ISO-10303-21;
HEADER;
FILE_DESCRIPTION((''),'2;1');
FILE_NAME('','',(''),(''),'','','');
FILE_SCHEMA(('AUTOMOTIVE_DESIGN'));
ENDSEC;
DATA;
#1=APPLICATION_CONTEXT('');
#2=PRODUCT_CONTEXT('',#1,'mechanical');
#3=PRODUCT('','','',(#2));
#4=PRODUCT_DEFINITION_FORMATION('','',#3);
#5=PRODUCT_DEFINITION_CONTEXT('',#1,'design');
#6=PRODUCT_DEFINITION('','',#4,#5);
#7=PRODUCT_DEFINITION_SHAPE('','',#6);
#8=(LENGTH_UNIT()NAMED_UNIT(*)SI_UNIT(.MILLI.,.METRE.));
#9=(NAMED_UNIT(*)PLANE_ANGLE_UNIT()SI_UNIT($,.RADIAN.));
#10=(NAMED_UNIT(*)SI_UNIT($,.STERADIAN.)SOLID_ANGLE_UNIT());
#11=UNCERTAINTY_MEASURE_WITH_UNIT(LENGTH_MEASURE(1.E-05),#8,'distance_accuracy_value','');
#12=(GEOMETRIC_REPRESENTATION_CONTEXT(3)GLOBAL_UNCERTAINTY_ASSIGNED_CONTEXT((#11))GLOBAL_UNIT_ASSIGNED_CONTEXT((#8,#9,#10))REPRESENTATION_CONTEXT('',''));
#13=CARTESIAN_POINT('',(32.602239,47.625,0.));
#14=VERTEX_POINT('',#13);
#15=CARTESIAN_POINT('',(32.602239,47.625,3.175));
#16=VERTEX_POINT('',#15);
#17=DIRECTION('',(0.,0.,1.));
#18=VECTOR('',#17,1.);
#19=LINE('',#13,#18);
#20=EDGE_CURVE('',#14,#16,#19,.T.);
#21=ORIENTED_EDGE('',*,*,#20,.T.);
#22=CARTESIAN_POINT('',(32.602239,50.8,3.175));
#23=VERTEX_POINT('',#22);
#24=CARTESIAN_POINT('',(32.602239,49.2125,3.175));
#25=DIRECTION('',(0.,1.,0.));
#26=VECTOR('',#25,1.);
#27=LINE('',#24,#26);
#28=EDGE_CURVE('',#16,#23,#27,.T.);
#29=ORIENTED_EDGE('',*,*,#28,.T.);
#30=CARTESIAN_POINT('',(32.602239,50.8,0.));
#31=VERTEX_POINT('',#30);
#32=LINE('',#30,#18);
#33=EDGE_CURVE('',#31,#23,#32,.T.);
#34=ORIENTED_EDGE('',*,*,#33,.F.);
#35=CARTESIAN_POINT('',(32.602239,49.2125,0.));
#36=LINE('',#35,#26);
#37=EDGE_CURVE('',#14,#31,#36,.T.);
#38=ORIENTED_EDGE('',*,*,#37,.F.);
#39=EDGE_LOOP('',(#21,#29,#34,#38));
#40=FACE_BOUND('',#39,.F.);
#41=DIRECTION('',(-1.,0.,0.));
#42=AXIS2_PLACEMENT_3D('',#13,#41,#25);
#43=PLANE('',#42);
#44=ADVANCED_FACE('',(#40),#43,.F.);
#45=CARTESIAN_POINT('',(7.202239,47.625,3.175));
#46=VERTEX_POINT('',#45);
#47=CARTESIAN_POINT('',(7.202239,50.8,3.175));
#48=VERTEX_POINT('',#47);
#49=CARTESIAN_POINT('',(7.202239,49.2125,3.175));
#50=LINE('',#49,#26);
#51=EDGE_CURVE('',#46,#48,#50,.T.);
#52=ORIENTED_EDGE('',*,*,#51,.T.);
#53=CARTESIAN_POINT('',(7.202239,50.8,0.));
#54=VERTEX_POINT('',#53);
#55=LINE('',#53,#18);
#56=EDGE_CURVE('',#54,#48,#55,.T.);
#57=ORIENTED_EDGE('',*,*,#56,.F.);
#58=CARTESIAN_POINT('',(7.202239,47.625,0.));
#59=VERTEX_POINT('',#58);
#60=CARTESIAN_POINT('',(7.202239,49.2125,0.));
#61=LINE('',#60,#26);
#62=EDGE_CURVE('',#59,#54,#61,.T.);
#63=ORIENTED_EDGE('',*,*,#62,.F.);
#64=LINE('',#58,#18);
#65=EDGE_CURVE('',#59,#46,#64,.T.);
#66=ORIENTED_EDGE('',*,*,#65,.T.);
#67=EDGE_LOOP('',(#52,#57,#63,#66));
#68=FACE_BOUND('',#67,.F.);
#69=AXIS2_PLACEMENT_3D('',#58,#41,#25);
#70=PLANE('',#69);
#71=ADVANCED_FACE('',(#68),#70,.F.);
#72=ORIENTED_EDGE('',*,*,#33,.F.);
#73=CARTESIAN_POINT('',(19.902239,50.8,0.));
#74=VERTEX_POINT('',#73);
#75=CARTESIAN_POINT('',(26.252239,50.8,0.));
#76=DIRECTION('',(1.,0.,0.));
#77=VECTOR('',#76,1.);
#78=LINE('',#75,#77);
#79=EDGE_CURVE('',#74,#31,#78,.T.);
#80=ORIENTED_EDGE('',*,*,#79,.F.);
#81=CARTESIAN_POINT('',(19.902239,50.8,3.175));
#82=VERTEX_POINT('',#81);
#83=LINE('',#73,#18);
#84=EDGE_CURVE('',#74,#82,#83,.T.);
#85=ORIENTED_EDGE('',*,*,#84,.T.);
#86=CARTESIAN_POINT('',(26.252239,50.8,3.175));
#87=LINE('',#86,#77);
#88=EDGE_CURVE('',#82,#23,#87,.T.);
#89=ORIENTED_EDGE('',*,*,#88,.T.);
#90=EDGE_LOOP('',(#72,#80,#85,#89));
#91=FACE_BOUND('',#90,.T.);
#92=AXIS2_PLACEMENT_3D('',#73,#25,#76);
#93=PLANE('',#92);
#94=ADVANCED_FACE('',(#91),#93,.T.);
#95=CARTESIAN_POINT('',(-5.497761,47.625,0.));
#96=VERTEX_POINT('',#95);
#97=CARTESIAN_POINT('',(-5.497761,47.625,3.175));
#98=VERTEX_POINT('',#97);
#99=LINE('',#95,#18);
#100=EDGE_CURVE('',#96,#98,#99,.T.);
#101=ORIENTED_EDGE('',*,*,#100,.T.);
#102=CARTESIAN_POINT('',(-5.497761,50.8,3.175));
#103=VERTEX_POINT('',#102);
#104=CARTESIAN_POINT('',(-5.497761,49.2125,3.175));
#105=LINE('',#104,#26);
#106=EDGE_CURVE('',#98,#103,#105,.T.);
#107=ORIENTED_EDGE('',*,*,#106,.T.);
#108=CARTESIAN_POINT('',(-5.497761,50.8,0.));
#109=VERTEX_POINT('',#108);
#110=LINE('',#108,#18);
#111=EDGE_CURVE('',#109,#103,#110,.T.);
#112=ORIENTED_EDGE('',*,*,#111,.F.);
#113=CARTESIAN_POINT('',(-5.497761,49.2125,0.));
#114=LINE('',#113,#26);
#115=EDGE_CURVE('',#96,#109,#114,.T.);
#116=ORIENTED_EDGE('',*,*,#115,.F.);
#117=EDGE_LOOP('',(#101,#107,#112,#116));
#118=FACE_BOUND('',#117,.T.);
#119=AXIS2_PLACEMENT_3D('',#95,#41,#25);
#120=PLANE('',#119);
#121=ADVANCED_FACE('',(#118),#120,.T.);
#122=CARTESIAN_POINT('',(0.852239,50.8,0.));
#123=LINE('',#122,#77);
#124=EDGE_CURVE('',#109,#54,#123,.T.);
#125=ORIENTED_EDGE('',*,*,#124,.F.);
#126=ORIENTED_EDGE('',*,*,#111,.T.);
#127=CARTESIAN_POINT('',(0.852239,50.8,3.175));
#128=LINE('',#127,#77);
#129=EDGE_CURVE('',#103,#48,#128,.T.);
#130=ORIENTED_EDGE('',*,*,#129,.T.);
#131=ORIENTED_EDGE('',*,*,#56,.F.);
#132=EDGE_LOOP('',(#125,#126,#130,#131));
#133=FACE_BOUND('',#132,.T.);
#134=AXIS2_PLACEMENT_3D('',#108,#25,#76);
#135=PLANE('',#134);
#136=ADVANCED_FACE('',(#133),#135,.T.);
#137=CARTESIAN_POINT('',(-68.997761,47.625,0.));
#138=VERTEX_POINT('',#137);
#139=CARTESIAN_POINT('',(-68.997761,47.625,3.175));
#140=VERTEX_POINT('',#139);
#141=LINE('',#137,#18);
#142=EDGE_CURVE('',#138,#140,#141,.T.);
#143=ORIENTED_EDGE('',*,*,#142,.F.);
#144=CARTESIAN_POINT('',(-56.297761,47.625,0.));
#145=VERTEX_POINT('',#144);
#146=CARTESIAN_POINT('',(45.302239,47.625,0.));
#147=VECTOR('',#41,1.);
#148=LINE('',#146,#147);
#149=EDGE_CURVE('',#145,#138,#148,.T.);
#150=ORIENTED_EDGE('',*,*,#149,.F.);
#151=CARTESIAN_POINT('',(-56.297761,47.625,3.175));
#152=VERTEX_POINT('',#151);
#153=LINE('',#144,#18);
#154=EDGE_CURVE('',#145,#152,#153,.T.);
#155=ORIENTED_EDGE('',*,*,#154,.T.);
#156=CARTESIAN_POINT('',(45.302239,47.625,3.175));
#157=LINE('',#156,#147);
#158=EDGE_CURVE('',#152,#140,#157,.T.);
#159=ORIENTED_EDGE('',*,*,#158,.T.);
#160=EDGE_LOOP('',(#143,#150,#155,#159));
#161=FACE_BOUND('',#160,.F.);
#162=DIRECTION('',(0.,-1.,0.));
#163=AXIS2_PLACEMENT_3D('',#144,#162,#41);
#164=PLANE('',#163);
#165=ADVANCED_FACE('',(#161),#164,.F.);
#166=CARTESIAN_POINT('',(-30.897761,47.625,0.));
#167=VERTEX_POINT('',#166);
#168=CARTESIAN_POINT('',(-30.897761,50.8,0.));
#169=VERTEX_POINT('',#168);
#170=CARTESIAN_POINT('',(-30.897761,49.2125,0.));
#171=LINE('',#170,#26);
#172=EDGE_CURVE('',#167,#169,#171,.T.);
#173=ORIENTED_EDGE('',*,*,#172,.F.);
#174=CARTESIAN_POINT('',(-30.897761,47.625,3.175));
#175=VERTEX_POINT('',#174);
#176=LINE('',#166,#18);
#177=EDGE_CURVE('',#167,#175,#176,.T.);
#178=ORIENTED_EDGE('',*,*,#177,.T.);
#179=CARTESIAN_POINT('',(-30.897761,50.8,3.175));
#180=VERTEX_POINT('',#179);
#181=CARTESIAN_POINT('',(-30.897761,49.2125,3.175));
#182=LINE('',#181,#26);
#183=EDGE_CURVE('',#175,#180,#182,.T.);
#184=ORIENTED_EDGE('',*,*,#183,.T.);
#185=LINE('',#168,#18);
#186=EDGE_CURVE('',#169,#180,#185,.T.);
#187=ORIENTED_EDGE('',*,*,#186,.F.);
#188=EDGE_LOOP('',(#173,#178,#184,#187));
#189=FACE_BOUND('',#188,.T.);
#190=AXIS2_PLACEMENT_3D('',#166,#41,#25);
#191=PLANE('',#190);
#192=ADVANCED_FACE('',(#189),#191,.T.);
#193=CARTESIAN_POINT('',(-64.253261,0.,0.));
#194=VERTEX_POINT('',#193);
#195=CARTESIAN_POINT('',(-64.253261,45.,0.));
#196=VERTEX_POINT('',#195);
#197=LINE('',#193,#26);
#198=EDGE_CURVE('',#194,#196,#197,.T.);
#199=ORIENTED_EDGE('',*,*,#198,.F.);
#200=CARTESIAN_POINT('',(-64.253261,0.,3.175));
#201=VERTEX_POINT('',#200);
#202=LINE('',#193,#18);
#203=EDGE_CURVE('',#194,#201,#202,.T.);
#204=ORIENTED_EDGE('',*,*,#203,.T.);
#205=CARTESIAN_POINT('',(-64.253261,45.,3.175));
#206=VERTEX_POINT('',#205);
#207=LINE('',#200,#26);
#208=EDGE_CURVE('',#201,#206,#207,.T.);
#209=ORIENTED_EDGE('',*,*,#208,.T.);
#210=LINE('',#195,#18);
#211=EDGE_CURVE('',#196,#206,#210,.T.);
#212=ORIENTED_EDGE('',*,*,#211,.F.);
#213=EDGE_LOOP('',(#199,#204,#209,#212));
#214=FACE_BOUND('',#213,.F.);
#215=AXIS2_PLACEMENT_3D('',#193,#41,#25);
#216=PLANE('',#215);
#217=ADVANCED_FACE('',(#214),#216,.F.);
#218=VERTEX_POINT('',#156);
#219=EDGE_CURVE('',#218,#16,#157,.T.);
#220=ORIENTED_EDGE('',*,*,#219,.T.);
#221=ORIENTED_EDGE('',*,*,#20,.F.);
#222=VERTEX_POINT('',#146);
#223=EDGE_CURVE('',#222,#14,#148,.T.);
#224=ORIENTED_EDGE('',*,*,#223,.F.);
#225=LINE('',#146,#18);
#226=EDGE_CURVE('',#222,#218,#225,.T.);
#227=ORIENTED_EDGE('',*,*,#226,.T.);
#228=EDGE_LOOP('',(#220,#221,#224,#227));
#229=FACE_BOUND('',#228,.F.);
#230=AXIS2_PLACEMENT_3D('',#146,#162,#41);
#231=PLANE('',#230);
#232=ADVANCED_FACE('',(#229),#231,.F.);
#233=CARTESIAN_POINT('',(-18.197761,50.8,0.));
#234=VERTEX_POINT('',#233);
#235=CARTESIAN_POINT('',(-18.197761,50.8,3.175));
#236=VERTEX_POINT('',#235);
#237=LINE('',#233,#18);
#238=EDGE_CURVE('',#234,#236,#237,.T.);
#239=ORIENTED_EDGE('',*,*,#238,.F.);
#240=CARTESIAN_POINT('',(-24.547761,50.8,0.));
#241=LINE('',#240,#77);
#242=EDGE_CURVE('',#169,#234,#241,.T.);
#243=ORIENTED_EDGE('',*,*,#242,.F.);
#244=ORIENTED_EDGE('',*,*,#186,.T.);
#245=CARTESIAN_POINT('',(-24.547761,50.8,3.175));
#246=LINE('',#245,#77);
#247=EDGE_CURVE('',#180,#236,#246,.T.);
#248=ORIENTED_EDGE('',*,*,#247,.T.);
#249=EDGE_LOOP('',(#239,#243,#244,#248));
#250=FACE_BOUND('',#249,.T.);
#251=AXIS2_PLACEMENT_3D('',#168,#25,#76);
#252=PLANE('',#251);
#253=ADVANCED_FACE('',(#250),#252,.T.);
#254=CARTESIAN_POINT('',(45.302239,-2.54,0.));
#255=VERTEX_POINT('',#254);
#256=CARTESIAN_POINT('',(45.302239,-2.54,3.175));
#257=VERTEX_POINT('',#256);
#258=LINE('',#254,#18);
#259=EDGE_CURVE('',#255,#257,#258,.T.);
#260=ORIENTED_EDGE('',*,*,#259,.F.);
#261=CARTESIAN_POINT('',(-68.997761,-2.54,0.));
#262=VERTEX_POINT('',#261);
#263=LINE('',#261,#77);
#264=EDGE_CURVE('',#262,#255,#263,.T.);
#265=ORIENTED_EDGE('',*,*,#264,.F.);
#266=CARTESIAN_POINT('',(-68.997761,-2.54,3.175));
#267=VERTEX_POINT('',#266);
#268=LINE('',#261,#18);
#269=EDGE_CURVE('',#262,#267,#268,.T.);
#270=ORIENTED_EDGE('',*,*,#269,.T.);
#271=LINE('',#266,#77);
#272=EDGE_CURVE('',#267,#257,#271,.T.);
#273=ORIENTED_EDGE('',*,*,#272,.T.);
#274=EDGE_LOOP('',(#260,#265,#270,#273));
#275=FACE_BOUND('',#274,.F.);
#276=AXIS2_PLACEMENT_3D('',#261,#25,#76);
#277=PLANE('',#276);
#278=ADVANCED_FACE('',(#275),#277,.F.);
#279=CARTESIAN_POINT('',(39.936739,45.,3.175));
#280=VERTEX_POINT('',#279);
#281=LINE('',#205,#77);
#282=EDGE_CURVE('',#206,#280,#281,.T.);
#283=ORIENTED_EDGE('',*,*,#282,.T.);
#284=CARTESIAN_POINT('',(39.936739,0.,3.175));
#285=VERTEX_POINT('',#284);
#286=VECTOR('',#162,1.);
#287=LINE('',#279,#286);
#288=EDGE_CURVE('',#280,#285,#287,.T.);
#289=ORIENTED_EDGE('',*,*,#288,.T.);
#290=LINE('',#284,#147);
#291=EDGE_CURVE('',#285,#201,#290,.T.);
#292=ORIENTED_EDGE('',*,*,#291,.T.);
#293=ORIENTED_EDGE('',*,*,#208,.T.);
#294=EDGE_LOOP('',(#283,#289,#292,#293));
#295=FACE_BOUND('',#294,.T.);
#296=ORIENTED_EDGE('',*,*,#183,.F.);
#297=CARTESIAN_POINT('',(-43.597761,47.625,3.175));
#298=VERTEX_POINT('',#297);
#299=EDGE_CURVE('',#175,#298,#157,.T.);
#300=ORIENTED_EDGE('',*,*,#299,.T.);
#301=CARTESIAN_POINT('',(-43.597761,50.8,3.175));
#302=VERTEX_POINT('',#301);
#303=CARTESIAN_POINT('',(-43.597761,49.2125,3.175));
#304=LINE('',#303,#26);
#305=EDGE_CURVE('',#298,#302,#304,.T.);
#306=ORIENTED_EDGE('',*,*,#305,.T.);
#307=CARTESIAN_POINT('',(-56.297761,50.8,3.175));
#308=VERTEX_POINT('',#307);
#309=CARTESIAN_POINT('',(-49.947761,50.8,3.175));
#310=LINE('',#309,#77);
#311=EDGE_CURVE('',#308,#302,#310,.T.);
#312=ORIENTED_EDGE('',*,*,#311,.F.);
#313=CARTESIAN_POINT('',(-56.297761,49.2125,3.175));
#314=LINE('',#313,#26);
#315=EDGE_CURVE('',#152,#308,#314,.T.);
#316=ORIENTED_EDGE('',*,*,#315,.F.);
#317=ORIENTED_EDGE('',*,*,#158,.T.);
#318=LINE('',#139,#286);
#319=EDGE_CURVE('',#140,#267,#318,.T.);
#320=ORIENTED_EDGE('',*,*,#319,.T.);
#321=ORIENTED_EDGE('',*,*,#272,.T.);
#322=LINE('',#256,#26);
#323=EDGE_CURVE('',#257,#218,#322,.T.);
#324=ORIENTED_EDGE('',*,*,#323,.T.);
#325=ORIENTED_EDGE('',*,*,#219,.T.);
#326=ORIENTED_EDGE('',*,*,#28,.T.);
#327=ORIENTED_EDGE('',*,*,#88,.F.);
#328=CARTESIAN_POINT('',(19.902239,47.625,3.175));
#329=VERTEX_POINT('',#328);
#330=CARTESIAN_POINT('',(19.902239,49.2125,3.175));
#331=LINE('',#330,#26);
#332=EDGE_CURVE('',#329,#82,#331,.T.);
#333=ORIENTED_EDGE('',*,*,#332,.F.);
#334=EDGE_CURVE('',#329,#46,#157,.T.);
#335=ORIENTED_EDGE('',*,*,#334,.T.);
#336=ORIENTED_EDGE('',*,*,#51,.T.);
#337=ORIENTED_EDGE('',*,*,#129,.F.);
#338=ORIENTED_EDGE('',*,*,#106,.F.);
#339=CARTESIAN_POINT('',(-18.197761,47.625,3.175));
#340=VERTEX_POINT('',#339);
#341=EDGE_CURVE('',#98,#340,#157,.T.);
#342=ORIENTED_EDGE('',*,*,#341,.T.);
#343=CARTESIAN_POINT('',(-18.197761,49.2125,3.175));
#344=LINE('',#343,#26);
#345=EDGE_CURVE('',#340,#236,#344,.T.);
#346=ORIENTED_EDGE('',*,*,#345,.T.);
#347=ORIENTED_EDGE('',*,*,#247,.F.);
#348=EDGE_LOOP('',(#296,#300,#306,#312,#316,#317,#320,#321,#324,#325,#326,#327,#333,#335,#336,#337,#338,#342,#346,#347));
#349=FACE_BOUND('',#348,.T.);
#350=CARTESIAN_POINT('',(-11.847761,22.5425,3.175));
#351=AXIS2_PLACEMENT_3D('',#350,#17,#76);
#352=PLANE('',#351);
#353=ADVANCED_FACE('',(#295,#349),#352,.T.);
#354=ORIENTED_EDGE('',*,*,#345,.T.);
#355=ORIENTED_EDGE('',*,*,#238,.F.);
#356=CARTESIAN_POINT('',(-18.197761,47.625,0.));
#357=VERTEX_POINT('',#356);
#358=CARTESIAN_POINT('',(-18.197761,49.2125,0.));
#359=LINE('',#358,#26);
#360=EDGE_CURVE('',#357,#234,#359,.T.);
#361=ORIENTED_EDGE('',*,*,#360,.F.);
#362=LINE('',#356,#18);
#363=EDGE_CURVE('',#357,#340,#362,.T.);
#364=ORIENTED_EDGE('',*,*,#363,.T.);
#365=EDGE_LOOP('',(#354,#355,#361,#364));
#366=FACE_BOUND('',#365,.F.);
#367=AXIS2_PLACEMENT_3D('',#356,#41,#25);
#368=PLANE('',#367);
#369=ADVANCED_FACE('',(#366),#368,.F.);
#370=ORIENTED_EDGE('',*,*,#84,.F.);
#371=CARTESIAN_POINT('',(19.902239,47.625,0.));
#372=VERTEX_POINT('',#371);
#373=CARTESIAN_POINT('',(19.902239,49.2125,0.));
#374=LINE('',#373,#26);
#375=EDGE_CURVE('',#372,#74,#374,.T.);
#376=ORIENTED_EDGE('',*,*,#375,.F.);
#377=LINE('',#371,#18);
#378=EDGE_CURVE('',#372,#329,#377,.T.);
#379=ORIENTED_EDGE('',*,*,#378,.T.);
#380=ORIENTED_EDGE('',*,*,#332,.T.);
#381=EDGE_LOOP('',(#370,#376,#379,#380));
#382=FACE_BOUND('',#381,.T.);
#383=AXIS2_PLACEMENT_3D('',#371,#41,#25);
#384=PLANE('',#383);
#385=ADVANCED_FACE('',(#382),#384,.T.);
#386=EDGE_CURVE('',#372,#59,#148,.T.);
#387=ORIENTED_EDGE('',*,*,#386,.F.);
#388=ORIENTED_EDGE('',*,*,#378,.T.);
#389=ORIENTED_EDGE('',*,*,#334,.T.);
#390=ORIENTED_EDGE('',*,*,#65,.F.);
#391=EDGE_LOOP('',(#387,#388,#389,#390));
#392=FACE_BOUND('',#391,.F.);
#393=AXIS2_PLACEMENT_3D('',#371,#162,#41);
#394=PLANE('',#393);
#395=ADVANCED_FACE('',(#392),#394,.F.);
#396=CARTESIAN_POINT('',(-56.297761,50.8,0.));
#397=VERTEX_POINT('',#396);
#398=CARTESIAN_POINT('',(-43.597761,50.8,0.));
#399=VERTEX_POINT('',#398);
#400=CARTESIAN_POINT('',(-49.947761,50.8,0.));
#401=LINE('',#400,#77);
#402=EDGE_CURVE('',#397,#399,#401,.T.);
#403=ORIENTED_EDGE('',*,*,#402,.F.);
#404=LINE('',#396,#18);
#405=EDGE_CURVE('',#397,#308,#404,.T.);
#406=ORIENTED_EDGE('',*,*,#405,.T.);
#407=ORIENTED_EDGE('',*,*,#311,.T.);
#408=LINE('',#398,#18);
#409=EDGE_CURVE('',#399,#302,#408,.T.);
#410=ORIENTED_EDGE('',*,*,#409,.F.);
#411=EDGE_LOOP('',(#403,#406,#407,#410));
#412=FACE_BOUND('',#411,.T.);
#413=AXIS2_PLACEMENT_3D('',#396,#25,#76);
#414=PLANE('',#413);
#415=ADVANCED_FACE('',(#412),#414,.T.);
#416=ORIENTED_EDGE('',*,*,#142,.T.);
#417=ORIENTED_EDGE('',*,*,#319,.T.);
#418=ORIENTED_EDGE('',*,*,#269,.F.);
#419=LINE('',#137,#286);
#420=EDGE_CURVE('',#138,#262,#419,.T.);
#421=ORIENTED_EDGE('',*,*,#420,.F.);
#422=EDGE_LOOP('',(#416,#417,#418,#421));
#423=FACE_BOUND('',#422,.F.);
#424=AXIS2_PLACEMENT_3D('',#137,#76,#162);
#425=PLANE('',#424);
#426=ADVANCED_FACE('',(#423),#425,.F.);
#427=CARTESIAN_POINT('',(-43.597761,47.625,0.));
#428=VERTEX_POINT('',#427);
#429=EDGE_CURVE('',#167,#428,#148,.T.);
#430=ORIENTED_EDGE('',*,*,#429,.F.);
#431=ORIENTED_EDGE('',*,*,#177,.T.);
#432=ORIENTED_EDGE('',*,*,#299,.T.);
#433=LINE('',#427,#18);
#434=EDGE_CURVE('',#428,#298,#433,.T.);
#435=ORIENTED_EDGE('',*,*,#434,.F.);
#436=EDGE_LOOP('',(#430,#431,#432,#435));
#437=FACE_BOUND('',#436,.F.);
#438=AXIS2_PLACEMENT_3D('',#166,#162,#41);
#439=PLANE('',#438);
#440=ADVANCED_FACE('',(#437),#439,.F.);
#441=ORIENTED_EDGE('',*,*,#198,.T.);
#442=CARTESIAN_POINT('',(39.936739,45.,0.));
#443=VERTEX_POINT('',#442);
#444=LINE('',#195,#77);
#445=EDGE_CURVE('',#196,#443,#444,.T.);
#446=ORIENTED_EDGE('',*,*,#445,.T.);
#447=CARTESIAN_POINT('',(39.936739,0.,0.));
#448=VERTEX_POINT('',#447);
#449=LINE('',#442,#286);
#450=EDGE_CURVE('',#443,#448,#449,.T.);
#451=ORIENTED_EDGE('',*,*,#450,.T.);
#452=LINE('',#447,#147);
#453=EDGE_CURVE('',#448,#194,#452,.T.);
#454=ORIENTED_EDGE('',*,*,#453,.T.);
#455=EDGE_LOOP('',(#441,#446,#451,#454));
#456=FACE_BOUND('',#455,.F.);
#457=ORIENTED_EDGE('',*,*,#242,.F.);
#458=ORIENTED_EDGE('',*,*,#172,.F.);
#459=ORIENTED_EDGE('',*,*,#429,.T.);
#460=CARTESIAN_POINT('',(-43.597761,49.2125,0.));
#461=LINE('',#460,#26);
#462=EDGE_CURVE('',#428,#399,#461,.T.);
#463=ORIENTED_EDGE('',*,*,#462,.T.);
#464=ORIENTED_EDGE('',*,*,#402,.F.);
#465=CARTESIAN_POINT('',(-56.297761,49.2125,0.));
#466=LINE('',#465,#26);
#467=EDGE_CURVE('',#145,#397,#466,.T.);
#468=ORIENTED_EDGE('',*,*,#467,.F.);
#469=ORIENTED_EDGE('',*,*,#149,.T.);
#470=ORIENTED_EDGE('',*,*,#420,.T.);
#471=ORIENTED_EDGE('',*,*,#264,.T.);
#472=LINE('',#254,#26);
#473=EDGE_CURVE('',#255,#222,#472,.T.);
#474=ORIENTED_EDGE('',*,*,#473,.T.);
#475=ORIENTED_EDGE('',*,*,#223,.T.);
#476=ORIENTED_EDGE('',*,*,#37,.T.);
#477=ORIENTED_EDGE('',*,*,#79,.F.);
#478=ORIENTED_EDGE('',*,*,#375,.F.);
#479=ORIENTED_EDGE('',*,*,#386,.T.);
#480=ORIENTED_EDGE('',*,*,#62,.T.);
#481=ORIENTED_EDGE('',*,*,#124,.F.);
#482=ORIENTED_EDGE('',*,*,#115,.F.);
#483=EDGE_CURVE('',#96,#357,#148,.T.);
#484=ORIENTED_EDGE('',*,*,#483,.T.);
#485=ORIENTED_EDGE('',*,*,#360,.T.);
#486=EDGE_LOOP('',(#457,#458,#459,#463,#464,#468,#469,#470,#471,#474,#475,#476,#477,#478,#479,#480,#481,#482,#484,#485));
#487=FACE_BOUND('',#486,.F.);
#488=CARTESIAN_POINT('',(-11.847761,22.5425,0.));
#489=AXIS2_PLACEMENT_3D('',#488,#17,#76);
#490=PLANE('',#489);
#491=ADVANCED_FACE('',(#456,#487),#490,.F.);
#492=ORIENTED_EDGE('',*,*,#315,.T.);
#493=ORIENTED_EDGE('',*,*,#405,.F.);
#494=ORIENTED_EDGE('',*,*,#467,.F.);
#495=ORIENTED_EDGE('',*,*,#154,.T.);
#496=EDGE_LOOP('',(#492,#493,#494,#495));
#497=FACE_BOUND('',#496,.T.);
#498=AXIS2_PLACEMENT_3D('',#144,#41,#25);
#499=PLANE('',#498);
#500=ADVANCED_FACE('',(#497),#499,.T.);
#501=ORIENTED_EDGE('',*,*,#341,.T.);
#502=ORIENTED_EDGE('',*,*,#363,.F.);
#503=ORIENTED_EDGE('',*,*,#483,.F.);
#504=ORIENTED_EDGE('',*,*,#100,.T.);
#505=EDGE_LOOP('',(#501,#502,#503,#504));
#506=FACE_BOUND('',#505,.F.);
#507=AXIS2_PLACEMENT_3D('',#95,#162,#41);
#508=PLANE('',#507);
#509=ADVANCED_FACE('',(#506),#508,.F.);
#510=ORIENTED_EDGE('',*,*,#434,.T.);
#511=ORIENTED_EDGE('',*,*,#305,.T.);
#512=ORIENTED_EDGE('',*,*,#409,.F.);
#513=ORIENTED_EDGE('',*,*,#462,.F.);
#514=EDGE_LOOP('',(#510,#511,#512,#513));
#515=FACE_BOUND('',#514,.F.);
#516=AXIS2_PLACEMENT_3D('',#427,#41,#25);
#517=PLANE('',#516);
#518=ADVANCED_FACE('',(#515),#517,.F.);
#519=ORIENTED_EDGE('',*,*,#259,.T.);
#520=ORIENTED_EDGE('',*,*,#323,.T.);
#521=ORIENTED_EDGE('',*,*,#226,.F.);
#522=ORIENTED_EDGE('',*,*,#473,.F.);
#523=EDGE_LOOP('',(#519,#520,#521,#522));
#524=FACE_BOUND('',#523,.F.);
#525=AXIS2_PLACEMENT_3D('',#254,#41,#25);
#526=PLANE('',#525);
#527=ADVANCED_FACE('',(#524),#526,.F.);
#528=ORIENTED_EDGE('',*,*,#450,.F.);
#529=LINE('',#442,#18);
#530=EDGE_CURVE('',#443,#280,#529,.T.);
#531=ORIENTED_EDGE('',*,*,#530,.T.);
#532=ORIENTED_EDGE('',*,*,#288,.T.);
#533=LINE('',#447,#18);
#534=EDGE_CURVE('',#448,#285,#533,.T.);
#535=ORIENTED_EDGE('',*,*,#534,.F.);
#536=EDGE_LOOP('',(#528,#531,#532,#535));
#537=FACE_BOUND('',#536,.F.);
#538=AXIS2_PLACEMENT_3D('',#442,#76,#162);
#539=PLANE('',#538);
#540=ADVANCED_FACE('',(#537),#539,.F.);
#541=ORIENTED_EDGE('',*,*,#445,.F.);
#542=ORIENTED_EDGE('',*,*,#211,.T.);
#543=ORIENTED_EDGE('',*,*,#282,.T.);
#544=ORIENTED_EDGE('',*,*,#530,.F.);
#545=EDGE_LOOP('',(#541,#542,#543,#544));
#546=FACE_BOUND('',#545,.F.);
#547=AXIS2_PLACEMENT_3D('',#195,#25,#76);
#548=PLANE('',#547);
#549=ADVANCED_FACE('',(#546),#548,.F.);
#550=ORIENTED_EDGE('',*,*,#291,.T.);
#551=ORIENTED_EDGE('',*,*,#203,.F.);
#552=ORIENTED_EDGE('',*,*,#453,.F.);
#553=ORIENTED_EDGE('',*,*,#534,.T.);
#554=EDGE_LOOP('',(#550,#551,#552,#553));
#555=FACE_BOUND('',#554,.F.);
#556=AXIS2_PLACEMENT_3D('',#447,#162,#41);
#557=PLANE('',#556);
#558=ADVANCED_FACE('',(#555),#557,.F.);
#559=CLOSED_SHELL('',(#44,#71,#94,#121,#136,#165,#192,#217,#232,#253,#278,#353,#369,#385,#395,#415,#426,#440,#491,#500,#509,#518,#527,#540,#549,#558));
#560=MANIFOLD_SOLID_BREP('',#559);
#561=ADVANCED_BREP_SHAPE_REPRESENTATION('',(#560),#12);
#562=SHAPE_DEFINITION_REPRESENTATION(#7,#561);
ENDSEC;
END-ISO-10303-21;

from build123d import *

# Parameters (mm, degrees)
F0_W     = 12.7
F0_H     = 3.175
F1_DEPTH = 3.175


with BuildPart() as f1:
    # F0 (on Top) → F1 (new body)
    with BuildSketch(Plane.XY):
        Polygon((-56.297761, 47.625), (-68.997761, 47.625), (-68.997761, 0), (-68.997761, -2.54), (-11.847761, -2.54), (45.302239, -2.54), (45.302239, 0), (45.302239, 47.625), (32.602239, 47.625), (19.902239, 47.625), (7.202239, 47.625), (-5.497761, 47.625), (-18.197761, 47.625), (-30.897761, 47.625), (-43.597761, 47.625), align=None)
        Polygon((39.936739, 0), (-11.847761, 0), (-64.253261, 0), (-64.253261, 45), (39.936739, 45), align=None, mode=Mode.SUBTRACT)
        with Locations((-49.947761, 49.2125)):
            Rectangle(F0_W, F0_H)
        with Locations((-24.547761, 49.2125)):
            Rectangle(F0_W, F0_H)
        with Locations((0.852239, 49.2125)):
            Rectangle(F0_W, F0_H)
        with Locations((26.252239, 49.2125)):
            Rectangle(F0_W, F0_H)
    extrude(amount=F1_DEPTH)


solid = f1.part
